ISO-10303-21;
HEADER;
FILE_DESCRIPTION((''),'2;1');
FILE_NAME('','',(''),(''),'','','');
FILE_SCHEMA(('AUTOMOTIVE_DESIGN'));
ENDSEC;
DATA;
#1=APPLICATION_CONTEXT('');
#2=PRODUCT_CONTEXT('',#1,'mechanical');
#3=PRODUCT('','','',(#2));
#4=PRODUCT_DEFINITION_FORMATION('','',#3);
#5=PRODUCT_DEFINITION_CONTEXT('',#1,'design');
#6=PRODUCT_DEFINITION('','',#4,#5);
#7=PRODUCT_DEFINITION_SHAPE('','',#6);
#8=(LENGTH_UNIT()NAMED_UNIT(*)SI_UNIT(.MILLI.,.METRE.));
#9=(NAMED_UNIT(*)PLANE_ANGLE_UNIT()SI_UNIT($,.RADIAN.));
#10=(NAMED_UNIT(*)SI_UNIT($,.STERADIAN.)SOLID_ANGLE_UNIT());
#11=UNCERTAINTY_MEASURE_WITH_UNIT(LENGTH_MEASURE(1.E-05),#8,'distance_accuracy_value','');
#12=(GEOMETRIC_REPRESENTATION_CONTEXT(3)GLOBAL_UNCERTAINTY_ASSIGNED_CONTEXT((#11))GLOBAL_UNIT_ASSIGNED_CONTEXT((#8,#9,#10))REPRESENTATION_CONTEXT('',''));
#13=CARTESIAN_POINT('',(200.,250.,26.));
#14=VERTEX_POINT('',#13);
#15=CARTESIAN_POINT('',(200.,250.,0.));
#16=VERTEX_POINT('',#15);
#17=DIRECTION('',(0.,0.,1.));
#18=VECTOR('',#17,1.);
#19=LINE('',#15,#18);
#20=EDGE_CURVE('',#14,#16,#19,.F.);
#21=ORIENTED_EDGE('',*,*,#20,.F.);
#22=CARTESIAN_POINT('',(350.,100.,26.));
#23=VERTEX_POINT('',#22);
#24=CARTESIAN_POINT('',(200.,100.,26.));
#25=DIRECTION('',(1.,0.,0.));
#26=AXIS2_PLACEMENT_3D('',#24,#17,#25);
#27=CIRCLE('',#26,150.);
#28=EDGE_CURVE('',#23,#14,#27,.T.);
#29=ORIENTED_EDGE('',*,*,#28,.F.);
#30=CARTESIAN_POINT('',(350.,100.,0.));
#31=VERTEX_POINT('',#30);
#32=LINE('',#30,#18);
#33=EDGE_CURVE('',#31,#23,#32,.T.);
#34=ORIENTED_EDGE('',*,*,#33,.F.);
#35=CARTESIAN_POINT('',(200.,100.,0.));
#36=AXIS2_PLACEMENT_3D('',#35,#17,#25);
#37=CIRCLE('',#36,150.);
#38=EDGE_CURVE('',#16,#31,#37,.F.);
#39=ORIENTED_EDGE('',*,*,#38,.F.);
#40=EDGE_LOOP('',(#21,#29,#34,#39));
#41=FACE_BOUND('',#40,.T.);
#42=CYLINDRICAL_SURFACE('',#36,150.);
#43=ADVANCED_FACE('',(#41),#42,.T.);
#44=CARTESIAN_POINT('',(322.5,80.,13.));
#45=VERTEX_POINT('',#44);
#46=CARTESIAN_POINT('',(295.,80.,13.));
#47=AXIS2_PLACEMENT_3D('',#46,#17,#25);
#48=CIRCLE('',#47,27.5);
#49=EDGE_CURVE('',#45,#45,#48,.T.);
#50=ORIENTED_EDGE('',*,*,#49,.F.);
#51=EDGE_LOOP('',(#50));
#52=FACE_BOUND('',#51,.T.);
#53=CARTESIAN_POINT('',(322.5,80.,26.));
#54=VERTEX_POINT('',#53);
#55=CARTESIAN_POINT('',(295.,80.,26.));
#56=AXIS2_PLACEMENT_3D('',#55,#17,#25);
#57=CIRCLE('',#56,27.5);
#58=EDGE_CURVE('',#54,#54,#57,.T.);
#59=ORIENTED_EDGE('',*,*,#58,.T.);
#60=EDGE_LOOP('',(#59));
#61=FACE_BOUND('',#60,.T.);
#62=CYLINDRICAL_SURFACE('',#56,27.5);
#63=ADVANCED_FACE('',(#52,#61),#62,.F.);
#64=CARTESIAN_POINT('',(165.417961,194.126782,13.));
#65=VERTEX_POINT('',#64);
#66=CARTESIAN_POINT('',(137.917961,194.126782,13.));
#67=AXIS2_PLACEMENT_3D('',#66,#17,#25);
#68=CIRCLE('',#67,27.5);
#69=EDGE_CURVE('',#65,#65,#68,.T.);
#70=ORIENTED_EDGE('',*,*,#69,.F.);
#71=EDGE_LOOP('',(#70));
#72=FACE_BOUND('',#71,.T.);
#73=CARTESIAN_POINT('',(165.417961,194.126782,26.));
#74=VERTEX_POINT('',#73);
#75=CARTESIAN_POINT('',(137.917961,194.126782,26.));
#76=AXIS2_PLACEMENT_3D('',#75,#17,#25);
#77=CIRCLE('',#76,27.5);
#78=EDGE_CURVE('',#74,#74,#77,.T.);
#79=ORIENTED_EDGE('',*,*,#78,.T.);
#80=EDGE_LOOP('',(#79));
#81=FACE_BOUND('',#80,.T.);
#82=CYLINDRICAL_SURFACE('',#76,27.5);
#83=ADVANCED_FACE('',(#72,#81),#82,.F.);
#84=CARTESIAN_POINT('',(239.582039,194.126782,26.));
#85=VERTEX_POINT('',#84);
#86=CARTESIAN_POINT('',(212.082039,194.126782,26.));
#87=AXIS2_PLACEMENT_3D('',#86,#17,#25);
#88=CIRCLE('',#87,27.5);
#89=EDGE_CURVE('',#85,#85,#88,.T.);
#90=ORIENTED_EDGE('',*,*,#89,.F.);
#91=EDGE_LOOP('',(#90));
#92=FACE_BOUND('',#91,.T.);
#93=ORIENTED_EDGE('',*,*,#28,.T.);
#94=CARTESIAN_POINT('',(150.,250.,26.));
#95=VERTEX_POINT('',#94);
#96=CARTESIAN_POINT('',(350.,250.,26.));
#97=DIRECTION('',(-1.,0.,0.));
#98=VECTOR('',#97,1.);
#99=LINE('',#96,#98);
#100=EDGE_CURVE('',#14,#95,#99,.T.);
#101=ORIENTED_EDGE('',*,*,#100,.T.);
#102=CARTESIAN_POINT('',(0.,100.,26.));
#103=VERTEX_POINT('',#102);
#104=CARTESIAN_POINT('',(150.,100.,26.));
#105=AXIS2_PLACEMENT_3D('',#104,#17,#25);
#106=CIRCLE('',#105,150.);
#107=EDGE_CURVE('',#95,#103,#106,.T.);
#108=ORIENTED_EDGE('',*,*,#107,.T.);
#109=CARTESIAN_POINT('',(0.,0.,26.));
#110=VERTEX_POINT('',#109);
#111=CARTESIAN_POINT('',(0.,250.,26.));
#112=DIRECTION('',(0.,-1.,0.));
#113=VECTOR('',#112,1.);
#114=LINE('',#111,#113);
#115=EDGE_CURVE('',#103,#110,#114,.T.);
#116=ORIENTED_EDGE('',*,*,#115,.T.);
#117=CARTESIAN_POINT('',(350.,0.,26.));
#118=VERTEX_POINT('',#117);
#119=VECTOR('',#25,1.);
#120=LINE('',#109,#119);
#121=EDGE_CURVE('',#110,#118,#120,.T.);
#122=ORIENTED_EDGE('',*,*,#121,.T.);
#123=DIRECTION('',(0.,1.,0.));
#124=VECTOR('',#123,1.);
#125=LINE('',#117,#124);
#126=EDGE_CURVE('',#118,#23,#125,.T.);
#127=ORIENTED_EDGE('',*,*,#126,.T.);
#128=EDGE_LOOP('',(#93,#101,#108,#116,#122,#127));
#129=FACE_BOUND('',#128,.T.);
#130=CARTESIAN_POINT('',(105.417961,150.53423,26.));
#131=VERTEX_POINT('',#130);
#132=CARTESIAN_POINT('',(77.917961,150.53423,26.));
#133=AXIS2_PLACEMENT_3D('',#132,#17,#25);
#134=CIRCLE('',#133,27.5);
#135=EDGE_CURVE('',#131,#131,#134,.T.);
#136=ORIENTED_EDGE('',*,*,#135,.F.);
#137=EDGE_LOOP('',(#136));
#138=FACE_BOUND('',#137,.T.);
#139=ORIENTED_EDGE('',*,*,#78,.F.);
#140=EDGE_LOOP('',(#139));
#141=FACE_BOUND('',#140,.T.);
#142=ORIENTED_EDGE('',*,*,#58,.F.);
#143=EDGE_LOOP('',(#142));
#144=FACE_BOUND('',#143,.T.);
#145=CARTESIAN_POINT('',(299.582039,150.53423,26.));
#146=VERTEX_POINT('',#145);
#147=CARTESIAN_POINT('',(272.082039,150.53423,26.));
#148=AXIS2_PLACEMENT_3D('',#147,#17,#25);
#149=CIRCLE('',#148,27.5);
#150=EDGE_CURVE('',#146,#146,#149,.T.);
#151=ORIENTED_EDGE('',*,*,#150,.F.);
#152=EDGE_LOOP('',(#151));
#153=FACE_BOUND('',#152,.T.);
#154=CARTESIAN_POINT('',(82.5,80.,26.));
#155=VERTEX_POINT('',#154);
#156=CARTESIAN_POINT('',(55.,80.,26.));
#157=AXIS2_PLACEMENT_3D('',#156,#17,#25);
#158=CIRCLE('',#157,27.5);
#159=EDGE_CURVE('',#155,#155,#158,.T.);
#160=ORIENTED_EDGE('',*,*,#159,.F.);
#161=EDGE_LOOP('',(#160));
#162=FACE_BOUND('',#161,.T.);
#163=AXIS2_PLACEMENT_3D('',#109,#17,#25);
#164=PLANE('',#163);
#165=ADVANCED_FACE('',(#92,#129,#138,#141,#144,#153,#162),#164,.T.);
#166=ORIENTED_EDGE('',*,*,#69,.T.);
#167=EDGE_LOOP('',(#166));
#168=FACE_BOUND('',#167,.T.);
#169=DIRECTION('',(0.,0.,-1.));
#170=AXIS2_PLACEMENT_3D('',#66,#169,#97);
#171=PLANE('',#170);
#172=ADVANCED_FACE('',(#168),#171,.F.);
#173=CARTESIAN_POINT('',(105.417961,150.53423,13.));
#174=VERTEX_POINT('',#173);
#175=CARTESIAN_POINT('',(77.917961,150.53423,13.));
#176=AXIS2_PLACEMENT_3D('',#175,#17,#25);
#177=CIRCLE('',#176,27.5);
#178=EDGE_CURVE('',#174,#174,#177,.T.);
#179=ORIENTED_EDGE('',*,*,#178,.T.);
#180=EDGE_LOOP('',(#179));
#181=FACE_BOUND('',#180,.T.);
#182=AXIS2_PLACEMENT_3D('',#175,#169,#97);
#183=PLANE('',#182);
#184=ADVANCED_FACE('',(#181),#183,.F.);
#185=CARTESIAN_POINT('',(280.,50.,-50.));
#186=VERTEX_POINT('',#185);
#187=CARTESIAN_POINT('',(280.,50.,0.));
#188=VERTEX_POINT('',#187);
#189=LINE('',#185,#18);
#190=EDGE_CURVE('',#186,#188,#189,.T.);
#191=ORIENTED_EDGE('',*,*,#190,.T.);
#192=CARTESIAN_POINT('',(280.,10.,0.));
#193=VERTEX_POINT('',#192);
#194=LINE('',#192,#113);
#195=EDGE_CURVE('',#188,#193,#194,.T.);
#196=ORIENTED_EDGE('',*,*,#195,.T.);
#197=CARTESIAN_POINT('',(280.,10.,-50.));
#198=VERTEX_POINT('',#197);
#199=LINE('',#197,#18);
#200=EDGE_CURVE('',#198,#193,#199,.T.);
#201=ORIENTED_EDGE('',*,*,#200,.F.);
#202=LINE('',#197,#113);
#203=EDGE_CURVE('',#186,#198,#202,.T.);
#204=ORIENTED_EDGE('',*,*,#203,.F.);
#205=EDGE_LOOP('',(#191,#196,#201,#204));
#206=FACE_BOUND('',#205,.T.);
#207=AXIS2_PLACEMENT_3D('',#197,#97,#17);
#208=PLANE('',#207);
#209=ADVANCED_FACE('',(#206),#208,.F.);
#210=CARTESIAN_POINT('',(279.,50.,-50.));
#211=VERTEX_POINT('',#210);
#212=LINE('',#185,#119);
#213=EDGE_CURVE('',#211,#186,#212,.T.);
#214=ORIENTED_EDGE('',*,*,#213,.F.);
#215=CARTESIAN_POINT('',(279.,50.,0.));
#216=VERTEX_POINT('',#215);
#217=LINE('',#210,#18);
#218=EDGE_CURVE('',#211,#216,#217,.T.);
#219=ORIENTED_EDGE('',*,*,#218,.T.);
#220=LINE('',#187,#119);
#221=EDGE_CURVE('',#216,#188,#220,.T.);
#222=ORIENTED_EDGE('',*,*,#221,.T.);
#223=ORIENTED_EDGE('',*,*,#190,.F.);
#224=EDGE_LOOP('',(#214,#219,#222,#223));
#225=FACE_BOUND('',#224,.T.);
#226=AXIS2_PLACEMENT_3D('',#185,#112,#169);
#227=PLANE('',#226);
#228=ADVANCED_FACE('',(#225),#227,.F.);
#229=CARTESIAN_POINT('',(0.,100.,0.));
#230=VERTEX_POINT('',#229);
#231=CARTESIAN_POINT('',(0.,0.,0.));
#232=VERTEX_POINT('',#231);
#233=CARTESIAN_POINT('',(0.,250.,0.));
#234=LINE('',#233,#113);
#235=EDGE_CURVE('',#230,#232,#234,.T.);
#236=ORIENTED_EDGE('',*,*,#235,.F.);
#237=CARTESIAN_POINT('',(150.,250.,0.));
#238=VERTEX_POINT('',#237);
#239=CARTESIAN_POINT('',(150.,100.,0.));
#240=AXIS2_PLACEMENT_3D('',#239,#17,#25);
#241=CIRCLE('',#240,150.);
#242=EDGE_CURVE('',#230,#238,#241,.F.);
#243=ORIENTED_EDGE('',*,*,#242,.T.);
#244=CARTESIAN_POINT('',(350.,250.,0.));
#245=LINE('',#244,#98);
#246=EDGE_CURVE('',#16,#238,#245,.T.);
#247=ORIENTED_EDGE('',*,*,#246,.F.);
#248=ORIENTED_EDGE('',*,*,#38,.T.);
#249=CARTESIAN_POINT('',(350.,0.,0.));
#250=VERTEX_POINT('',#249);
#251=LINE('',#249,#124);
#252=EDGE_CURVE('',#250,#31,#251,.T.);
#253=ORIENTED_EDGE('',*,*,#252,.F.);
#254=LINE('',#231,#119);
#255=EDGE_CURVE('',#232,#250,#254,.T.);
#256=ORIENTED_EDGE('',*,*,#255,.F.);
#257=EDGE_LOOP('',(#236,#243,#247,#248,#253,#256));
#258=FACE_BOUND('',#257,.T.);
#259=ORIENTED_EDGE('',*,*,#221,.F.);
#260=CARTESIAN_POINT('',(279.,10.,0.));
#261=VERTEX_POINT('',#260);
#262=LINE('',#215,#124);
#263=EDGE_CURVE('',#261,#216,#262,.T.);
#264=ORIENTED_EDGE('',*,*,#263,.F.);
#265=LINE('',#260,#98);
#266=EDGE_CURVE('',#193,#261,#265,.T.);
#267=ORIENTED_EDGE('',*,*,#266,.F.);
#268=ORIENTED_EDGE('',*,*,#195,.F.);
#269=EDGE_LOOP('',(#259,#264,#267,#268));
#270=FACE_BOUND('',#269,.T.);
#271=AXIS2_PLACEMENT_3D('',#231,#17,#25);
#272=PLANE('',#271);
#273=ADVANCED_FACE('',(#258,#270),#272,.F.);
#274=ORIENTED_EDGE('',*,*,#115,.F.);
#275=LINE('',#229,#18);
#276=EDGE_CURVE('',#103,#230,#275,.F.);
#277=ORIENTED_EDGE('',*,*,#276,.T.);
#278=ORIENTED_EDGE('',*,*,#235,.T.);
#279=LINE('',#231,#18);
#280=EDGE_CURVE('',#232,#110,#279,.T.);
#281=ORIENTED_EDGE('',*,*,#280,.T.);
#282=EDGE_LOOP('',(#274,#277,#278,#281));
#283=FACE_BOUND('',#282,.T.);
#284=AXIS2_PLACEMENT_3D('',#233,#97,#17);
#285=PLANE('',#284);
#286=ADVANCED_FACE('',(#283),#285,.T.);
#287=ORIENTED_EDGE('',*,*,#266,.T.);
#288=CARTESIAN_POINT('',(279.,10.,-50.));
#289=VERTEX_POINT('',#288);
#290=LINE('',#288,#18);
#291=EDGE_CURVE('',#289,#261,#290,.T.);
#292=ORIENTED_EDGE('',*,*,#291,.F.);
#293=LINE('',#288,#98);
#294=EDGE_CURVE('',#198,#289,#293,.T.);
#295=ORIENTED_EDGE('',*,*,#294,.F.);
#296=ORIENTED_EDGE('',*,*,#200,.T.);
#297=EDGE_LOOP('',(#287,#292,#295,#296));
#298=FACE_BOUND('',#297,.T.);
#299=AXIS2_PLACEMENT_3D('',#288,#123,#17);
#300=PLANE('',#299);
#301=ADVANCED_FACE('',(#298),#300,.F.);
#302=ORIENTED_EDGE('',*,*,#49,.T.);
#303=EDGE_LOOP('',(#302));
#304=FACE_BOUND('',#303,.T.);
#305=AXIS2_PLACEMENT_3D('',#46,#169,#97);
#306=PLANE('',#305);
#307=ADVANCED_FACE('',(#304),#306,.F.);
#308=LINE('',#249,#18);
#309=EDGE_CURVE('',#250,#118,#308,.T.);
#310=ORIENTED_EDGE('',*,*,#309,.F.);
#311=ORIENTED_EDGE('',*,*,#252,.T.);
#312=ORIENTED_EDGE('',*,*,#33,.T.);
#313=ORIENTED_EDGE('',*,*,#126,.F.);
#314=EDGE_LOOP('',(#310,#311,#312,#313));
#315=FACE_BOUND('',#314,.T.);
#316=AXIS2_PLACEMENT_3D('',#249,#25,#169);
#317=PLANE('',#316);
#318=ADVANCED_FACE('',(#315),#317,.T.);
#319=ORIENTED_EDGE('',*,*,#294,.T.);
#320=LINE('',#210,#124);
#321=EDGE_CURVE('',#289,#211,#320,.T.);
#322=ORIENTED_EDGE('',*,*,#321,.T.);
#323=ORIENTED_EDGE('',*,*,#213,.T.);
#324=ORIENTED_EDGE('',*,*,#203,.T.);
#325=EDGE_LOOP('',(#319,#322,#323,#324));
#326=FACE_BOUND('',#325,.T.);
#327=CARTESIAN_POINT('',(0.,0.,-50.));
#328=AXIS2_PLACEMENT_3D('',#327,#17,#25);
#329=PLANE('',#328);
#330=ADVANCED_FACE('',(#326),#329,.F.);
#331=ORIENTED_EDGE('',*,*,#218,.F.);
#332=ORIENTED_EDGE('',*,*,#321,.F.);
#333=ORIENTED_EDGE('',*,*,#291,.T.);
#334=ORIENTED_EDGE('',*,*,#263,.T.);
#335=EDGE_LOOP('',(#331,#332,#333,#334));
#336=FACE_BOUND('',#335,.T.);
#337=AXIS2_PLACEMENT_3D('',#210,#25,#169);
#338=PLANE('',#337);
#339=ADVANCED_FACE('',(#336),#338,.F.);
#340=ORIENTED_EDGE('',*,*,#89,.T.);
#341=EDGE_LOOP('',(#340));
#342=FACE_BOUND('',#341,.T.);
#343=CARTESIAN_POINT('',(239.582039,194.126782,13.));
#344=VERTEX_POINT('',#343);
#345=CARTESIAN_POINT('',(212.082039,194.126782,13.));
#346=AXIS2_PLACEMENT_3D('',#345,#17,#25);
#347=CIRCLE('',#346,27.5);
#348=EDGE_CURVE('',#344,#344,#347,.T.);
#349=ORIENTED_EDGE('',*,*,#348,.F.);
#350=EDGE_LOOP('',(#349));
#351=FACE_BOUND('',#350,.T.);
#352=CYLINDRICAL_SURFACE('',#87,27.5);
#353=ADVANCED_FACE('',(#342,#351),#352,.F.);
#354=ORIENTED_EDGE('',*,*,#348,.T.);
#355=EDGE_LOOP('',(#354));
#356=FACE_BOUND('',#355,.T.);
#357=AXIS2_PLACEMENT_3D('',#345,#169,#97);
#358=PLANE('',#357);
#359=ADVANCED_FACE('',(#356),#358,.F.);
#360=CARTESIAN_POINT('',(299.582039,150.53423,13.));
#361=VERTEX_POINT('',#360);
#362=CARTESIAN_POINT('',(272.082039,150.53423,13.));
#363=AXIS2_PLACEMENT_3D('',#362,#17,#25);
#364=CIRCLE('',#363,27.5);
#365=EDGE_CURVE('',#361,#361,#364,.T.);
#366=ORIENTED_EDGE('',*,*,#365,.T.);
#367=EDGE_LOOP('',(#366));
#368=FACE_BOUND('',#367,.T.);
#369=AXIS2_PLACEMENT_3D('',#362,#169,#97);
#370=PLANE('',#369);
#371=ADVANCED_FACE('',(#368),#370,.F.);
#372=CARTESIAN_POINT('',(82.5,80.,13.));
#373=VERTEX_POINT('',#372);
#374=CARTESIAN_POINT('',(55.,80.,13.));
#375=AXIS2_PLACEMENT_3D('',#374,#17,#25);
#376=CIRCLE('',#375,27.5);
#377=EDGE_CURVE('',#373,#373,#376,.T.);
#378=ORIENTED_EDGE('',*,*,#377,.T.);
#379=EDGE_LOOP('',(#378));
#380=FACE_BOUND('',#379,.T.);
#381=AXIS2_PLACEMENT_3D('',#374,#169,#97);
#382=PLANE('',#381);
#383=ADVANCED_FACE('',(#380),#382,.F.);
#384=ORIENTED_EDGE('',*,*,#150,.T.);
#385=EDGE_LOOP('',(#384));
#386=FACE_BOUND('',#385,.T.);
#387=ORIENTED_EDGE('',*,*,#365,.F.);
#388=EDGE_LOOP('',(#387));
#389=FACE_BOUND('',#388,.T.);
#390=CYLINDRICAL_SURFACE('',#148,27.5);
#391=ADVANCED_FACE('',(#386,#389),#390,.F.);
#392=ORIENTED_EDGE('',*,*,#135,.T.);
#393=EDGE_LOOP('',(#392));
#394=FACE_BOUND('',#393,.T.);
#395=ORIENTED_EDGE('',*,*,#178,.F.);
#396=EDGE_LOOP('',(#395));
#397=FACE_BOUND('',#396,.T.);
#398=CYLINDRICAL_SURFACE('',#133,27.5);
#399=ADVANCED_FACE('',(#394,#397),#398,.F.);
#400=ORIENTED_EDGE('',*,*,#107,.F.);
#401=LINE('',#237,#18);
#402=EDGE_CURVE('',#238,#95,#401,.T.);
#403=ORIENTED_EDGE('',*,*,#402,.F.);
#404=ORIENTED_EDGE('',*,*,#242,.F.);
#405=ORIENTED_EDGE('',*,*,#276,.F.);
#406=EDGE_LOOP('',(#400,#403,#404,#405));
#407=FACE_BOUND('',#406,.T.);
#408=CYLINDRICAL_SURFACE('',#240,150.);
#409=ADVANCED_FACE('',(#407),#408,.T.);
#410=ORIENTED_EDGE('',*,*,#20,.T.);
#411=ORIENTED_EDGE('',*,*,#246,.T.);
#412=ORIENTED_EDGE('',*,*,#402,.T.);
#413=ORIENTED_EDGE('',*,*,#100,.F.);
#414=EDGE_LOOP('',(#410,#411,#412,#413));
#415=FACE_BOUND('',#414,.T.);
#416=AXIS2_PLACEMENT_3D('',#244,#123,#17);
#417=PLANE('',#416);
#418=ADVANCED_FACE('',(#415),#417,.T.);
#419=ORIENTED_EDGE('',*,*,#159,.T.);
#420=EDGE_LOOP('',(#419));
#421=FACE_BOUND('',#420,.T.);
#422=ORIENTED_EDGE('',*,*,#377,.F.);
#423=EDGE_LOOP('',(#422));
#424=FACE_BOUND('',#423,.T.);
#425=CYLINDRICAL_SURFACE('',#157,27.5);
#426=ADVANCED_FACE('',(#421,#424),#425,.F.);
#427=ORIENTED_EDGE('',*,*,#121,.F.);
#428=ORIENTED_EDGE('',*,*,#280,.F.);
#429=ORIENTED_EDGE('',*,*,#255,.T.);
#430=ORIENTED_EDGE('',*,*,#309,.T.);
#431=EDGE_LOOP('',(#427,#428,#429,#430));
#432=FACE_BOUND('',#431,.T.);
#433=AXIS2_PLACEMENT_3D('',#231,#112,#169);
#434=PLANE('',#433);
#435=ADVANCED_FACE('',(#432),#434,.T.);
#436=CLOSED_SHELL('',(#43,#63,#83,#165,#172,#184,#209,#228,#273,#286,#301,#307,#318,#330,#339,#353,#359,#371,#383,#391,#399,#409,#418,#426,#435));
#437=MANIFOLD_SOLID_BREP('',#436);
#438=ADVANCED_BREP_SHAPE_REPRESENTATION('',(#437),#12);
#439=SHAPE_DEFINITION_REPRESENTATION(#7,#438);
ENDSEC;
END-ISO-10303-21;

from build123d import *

# Parameters (mm, degrees)
SKETCH1_W                 = 350
SKETCH1_H                 = 250
BOSS_EXTRUDE1_DEPTH       = 26
SKETCH2_W                 = 1
SKETCH2_H                 = 40
BOSS_EXTRUDE2_DEPTH       = 50
M48_CLEARANCE_HOLE1_D     = 55
M48_CLEARANCE_HOLE1_DEPTH = 13
FILLET1_R                 = 150


with BuildPart() as part:
    # Sketch1 → Boss-Extrude1 (new body)
    with BuildSketch(Plane.XY.offset(26)):
        with Locations((175, 125)):
            Rectangle(SKETCH1_W, SKETCH1_H)
    extrude(amount=-BOSS_EXTRUDE1_DEPTH)

    # Sketch2 → Boss-Extrude2 (add)
    with BuildSketch(Plane(origin=(0, 0, 0), x_dir=(-1, 0, 0), z_dir=(0, 0, -1))):
        with Locations((-279.5, 30)):
            Rectangle(SKETCH2_W, SKETCH2_H)
    extrude(amount=BOSS_EXTRUDE2_DEPTH)

    # M48 Clearance Hole1
    with Locations(Plane.XY.offset(26)):
        with Locations((55, 80), (212.082039325, 194.126781955), (272.082039325, 150.534230275), (295, 80), (137.917960675, 194.126781955), (77.917960675, 150.534230275)):
            Hole(M48_CLEARANCE_HOLE1_D / 2, depth=M48_CLEARANCE_HOLE1_DEPTH)

    # Fillet1
    fillet1_edges = [part.edges().sort_by_distance(p)[0] for p in [
        (0, 250, 13),
        (350, 250, 13),
    ]]
    fillet(fillet1_edges, radius=FILLET1_R)


solid = part.part
